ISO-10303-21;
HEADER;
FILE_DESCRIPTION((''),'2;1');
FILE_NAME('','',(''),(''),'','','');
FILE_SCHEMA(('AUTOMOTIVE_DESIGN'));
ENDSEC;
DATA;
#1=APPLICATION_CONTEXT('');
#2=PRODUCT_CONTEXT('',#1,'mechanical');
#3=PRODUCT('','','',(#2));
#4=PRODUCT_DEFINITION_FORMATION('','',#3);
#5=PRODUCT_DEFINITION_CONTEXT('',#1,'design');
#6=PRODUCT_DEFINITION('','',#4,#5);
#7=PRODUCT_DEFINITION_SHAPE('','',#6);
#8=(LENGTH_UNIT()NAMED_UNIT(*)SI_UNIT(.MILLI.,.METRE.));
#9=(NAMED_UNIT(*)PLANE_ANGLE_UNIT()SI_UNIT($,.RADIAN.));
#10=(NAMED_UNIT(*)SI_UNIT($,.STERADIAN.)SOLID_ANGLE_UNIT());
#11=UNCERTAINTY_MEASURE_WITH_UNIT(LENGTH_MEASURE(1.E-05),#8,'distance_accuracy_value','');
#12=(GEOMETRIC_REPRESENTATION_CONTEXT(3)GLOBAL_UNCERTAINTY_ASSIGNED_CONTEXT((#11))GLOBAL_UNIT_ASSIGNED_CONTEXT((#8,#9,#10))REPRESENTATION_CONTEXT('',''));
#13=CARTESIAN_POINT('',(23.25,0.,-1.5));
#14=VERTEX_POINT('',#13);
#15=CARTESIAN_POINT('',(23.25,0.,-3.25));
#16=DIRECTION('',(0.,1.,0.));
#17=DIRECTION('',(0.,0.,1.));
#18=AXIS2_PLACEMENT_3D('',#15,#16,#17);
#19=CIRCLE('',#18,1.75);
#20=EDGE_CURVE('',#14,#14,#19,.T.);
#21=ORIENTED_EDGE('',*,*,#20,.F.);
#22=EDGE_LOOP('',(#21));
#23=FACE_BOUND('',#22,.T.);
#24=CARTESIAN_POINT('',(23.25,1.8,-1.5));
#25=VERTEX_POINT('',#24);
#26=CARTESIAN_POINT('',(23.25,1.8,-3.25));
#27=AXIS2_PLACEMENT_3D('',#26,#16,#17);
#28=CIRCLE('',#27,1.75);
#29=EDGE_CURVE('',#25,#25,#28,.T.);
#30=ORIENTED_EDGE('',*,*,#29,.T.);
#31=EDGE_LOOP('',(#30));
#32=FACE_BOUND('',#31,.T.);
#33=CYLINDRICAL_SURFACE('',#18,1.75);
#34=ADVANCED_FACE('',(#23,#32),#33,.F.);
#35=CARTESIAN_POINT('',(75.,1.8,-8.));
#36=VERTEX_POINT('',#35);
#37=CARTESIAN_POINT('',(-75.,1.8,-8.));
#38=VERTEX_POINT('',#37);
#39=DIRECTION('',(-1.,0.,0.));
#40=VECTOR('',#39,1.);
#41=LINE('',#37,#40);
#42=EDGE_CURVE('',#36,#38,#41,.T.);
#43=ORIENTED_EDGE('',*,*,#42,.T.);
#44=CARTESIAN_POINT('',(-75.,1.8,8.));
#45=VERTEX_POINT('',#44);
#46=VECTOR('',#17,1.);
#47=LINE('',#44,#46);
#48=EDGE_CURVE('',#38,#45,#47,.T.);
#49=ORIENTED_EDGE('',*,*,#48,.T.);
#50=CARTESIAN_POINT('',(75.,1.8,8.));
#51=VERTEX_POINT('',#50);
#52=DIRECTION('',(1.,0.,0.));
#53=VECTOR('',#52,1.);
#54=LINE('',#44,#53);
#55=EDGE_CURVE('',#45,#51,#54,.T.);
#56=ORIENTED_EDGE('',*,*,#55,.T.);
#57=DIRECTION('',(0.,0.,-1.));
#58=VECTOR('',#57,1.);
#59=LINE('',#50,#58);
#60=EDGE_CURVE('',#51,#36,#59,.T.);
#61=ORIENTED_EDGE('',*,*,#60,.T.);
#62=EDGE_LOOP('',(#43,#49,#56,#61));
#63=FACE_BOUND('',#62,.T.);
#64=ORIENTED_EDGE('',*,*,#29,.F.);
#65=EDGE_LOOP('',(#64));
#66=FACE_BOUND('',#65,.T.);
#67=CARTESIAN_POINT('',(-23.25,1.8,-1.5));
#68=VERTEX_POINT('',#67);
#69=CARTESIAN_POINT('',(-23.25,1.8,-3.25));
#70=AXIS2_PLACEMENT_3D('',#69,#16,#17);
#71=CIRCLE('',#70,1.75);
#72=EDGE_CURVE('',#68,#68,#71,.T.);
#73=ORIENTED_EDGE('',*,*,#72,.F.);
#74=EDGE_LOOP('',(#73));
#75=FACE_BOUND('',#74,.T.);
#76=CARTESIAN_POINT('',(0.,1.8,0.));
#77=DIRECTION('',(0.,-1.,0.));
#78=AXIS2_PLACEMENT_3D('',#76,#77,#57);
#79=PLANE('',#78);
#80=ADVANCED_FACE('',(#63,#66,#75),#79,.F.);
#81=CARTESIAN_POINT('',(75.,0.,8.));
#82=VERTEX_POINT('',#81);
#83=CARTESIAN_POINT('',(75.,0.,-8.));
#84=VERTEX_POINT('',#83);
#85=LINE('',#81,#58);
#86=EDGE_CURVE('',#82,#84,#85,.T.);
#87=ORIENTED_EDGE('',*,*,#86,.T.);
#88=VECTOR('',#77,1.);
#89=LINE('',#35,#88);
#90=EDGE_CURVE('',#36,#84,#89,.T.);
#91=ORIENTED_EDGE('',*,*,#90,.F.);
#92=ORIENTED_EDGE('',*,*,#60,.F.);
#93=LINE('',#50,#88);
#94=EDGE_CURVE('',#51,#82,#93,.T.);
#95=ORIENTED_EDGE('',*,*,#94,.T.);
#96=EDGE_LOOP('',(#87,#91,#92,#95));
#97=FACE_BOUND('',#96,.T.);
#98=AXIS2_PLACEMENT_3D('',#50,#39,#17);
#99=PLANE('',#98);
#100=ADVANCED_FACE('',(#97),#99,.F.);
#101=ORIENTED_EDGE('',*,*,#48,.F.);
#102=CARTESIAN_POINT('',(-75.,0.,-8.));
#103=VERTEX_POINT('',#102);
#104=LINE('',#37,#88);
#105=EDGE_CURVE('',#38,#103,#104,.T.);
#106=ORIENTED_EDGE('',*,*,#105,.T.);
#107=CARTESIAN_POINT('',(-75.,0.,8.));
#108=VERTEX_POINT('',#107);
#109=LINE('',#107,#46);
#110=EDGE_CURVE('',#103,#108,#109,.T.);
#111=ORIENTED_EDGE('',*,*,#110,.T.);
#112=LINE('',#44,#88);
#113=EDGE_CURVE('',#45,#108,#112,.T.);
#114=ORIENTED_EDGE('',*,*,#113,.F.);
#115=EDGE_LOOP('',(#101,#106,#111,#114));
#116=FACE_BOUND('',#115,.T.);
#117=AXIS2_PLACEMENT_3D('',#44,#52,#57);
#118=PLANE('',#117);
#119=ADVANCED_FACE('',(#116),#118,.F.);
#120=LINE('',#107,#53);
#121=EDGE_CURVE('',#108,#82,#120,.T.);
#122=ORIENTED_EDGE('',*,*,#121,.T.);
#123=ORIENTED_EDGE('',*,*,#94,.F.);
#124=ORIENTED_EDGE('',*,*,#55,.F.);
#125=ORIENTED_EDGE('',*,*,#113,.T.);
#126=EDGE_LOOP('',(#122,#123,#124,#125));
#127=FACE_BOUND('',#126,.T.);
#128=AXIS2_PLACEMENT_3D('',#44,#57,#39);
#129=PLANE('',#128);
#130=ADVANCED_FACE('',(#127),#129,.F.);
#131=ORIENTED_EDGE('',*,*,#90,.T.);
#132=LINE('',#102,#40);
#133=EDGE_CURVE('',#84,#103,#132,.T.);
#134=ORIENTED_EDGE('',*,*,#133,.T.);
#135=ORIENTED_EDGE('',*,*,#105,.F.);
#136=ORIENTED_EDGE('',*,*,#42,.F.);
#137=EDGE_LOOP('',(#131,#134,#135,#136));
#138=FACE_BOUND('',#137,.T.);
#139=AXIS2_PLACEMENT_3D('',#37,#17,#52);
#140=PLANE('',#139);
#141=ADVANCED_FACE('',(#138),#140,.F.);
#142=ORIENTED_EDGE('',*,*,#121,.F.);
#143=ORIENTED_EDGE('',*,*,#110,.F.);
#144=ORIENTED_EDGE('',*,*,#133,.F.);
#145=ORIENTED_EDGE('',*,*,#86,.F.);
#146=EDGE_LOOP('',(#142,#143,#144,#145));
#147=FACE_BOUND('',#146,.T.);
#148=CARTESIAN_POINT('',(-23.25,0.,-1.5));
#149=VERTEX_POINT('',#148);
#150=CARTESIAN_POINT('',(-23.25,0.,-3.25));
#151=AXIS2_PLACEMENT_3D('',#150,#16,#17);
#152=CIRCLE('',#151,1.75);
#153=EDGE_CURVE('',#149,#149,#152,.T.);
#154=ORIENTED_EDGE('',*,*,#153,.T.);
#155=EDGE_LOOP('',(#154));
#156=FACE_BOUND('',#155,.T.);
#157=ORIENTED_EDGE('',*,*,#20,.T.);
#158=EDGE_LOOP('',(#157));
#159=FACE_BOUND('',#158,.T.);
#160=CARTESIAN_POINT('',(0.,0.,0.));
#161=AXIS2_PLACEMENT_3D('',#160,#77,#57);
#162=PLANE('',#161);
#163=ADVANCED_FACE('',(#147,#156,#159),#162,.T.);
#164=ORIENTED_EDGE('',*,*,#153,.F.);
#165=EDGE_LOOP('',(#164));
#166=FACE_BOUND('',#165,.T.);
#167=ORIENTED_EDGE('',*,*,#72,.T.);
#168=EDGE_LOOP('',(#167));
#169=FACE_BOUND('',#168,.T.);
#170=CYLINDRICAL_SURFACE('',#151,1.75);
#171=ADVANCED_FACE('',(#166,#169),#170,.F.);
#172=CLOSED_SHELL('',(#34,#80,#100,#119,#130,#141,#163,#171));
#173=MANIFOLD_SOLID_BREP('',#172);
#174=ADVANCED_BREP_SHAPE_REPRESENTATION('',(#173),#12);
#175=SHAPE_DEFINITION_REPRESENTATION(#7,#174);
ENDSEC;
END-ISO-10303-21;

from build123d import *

# Parameters (mm, degrees)
CROQUIS1_W              = 150
CROQUIS1_H              = 16
SALIENTE_EXTRUIR1_DEPTH = 1.8
CROQUIS2_R              = 1.75
CORTAR_EXTRUIR1_DEPTH   = 2.8


with BuildPart() as part:
    # Croquis1 → Saliente-Extruir1 (new body)
    with BuildSketch(Plane(origin=(0, 0, 0), x_dir=(1, 0, 0), z_dir=(0, 1, 0))):
        Rectangle(CROQUIS1_W, CROQUIS1_H)
    extrude(amount=SALIENTE_EXTRUIR1_DEPTH)

    # Croquis2 → Cortar-Extruir1 (cut, through all)
    with BuildSketch(Plane(origin=(0, 1.8, 0), x_dir=(1, 0, 0), z_dir=(0, 1, 0))):
        with Locations((-23.25, 3.25)):
            Circle(CROQUIS2_R)
        with Locations((23.25, 3.25)):
            Circle(CROQUIS2_R)
    extrude(amount=-CORTAR_EXTRUIR1_DEPTH, mode=Mode.SUBTRACT)


solid = part.part
